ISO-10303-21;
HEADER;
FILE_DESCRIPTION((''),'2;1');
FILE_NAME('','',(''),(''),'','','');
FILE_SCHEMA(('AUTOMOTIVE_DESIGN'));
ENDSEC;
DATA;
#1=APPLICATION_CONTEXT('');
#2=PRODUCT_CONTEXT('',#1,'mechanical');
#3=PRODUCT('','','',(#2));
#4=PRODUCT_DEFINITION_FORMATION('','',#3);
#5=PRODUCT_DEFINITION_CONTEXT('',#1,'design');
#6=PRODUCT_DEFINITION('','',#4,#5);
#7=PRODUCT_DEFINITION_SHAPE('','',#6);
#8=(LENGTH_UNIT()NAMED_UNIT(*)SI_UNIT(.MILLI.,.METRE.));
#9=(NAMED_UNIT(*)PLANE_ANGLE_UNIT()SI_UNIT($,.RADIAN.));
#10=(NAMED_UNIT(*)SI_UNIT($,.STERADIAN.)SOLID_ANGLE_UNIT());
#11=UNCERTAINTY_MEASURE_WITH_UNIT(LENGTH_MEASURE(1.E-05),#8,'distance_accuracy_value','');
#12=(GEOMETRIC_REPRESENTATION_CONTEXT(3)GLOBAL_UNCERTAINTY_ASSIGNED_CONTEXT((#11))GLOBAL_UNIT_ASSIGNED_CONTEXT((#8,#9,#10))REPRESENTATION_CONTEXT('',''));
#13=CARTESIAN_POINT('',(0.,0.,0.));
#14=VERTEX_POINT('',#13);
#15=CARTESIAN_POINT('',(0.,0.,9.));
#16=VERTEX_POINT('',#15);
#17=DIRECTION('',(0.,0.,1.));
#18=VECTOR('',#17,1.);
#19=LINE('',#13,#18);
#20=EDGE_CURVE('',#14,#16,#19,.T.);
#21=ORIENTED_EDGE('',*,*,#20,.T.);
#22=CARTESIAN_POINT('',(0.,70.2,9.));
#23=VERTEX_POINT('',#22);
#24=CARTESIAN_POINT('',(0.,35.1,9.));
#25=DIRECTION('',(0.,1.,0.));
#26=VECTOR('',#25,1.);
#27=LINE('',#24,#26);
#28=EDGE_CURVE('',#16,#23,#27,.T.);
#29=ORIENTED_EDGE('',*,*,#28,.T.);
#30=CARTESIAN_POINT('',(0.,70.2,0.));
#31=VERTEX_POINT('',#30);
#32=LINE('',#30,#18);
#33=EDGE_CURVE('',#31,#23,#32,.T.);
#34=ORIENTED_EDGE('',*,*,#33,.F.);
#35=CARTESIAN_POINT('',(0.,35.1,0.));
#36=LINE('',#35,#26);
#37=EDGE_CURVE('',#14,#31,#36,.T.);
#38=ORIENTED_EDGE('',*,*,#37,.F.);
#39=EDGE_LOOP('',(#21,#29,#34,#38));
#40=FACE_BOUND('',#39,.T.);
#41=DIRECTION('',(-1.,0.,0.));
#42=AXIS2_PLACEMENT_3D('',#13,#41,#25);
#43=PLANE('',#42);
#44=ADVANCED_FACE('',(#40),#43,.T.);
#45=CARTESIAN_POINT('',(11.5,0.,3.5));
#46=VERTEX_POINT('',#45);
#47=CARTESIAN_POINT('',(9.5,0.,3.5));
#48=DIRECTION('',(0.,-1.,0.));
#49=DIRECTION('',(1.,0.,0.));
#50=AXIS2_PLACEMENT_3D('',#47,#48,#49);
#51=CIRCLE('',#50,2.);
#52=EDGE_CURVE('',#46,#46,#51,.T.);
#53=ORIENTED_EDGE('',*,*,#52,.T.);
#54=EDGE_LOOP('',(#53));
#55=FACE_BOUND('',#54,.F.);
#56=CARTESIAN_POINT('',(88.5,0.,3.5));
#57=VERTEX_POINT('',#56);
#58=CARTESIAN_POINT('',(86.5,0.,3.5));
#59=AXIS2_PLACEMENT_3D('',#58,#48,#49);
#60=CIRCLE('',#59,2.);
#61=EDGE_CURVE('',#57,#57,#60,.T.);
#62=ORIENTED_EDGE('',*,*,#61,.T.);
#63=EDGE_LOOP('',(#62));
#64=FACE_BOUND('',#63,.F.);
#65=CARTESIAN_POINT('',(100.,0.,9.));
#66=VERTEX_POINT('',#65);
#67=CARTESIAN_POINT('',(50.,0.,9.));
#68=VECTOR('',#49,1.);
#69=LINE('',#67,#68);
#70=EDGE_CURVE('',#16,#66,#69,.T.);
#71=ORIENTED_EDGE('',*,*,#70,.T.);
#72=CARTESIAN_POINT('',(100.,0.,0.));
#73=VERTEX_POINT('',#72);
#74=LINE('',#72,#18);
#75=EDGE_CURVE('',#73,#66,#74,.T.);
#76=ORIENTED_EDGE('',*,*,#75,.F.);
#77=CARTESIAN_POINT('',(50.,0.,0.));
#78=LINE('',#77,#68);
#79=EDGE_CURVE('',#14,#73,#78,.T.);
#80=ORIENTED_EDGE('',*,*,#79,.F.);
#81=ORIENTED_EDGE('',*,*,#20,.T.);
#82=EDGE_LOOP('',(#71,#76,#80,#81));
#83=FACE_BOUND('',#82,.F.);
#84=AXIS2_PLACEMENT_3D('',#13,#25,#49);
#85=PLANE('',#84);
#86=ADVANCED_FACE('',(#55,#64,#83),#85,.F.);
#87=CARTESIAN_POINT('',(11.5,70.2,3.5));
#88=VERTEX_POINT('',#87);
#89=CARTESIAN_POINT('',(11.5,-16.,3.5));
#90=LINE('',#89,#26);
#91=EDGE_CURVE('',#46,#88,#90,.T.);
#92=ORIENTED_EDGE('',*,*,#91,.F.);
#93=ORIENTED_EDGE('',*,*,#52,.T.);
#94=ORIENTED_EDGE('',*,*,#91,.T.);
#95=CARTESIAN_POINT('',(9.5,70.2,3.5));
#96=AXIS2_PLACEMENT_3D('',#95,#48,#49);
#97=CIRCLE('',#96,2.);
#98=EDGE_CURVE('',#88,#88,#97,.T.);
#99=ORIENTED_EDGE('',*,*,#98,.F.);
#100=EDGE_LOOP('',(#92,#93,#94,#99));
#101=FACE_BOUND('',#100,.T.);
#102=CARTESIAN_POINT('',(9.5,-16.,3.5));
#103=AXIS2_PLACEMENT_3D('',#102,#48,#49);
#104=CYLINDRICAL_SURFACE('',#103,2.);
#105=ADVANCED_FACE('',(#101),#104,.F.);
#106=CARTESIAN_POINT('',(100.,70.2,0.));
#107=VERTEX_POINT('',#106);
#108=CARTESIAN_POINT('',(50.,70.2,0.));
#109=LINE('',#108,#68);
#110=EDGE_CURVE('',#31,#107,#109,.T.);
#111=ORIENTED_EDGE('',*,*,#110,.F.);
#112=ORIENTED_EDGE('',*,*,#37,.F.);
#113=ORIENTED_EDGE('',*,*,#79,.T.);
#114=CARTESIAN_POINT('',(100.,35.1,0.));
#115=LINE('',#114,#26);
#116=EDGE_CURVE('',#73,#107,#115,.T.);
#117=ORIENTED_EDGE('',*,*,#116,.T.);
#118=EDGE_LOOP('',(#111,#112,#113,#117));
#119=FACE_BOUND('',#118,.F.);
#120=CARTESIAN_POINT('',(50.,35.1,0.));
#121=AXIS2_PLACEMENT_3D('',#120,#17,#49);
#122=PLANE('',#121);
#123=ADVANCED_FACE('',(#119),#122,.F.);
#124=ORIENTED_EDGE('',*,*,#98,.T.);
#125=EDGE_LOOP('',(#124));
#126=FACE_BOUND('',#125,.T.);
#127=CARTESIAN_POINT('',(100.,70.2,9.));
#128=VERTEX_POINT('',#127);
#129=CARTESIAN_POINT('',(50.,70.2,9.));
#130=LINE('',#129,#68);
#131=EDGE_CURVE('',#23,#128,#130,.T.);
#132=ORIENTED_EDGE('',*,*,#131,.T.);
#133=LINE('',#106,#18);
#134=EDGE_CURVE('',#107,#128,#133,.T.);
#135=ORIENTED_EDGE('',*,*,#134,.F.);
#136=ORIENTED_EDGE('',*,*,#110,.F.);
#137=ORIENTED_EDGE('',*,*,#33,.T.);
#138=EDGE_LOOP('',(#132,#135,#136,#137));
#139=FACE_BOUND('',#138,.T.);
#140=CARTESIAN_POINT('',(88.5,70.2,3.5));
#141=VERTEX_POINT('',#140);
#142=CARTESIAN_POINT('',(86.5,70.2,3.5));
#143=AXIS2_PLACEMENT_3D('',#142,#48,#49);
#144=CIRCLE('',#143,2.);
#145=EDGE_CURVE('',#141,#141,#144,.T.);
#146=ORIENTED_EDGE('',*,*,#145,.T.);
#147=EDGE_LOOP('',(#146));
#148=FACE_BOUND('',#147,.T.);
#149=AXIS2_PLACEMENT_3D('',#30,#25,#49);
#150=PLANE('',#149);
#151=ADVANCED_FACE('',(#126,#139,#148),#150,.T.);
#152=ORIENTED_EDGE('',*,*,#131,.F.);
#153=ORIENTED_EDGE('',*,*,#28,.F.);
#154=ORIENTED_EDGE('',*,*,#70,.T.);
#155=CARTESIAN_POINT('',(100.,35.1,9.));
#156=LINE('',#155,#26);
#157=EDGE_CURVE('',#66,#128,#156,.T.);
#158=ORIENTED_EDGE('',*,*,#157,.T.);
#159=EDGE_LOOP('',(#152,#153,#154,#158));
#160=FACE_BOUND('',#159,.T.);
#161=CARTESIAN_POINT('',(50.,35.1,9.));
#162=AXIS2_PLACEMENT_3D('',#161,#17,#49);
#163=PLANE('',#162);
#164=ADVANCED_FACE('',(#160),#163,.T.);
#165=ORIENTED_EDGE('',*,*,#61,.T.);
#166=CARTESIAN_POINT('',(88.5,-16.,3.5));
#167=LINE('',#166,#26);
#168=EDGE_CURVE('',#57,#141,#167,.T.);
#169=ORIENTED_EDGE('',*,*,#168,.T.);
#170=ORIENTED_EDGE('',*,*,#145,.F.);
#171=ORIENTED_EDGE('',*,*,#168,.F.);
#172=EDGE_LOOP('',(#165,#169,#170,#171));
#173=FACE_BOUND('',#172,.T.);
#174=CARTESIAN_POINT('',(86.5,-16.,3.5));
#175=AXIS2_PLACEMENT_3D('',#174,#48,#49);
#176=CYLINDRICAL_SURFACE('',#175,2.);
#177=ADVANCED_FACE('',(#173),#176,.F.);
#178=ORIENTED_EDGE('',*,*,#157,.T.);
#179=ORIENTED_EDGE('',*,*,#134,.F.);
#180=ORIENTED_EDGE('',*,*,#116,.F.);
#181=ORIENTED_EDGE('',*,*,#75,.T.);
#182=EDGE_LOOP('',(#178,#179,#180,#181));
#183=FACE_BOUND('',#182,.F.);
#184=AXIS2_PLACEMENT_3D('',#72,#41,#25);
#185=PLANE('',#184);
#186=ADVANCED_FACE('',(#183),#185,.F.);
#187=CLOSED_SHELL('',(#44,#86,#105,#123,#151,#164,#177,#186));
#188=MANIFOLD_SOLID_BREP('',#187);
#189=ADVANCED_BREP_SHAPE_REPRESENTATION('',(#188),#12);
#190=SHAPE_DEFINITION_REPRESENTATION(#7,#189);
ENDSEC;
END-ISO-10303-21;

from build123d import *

# Parameters (mm, degrees)
CYLINDER_R       = 2
CYLINDER_DEPTH   = 100
ARRAY002_X_COUNT = 2
ARRAY002_X_PITCH = 77
BOX004_W         = 100
BOX004_H         = 70.2
BOX004_DEPTH     = 9


with BuildPart() as hdd_side_hole_array:
    # Cylinder → Cylinder (new body)
    with BuildSketch(Plane(origin=(9.5, -16, 3.5), x_dir=(1, 0, 0), z_dir=(0, 1, 0))):
        Circle(CYLINDER_R)
    extrude(amount=CYLINDER_DEPTH)

    # Array002 X: hdd side hole array ×2


with BuildPart() as hdd_side_hole_array_1:
    add(hdd_side_hole_array.part)
    with Locations(*[(i * ARRAY002_X_PITCH, 0, 0) for i in range(1, ARRAY002_X_COUNT)]):
        add(hdd_side_hole_array.part)


with BuildPart() as hdd_with_holes_cut:
    # Box004 → Box004 (new body)
    with BuildSketch(Plane.XY):
        with Locations((50, 35.1)):
            Rectangle(BOX004_W, BOX004_H)
    extrude(amount=BOX004_DEPTH)

    # Cut003: cut hdd side hole array
    add(hdd_side_hole_array_1.part, mode=Mode.SUBTRACT)


solid = hdd_with_holes_cut.part
